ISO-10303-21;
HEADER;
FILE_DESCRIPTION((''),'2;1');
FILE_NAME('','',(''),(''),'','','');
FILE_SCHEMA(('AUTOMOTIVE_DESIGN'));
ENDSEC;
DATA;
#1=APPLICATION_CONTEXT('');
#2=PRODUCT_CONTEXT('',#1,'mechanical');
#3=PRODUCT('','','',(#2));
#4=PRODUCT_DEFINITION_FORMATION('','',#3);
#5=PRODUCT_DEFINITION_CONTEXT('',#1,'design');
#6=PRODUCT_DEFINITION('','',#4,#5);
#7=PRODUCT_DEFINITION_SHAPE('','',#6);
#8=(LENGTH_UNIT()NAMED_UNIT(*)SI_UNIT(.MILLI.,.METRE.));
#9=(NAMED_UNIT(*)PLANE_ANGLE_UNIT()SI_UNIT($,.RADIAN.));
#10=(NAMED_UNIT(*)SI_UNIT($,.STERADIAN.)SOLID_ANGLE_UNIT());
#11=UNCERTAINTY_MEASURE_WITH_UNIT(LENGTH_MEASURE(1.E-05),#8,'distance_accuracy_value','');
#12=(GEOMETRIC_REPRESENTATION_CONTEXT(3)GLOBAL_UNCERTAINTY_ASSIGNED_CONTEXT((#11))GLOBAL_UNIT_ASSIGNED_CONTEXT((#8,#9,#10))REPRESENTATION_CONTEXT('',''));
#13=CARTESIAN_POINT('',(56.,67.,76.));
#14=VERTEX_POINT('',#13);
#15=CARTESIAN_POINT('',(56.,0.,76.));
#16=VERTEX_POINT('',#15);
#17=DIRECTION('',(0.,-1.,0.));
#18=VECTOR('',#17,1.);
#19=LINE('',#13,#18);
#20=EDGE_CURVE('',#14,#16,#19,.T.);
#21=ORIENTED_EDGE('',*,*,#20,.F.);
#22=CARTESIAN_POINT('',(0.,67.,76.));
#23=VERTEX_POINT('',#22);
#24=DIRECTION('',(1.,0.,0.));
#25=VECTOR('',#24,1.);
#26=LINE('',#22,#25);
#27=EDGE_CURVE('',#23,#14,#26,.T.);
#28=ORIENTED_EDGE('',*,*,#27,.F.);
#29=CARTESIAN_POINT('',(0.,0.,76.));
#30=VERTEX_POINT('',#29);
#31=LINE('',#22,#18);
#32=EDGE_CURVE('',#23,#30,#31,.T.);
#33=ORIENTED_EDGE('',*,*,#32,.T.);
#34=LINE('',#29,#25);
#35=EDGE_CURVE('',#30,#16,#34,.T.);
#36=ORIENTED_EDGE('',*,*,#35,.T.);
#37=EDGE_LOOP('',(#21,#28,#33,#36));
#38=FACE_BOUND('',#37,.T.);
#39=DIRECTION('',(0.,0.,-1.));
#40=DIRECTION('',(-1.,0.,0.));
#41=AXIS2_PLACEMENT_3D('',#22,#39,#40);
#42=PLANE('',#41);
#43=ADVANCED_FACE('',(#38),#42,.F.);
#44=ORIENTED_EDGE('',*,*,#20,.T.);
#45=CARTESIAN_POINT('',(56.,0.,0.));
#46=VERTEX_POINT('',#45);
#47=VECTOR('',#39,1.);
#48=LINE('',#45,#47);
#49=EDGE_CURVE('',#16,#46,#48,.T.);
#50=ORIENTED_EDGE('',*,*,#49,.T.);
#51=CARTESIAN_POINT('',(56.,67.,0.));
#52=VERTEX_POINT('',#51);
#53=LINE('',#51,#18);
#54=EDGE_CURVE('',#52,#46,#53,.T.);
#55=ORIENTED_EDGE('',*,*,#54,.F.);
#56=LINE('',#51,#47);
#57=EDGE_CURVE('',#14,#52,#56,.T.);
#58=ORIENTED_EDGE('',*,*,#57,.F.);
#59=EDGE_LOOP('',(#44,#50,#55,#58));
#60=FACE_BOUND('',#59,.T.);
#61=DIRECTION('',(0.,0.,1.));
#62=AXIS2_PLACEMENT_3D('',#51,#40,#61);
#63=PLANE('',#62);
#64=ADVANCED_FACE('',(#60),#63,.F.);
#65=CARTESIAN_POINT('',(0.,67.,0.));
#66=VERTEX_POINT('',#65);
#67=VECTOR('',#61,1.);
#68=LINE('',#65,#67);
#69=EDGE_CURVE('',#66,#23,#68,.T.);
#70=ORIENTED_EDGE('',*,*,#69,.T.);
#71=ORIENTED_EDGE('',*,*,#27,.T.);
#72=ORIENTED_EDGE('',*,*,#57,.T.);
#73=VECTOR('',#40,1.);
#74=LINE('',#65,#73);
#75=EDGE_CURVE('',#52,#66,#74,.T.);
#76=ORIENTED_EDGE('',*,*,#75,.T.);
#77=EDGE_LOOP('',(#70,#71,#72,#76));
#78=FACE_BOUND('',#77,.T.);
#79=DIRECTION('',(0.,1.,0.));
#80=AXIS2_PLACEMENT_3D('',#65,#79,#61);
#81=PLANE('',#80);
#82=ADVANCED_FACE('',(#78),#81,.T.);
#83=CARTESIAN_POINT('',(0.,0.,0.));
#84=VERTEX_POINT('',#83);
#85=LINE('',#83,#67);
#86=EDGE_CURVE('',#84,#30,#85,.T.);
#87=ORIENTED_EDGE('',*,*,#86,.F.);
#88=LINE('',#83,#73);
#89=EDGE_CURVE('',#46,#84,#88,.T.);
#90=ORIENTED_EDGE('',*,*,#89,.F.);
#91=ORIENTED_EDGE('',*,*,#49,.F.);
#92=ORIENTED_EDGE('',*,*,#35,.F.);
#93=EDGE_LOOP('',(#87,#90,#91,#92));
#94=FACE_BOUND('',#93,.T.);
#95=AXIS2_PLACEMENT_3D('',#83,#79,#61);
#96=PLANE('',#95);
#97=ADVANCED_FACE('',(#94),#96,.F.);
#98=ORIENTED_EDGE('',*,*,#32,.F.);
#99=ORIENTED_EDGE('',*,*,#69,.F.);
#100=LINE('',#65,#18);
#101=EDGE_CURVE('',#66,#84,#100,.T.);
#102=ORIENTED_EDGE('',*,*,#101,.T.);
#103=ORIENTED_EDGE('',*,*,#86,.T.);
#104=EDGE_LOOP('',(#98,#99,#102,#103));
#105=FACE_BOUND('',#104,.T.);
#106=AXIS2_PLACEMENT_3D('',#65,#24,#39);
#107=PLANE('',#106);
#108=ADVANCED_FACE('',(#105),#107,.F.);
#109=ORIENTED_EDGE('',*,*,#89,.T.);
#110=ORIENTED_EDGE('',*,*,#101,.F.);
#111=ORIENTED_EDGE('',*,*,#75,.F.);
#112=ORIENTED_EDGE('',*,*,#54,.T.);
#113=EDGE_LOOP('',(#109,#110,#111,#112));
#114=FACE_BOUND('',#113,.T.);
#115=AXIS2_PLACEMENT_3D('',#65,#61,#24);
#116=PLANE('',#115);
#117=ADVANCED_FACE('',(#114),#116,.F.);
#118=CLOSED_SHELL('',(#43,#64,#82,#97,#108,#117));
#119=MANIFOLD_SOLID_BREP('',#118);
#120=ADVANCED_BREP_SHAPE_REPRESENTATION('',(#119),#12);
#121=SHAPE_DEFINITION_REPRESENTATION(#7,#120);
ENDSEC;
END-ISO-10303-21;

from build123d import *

# Parameters (mm, degrees)
SKETCH_1_W      = 56
SKETCH_1_H      = 76
EXTRUDE_1_DEPTH = 67


with BuildPart() as part:
    # 草图1 → 凸台-拉伸1 (new body)
    with BuildSketch(Plane(origin=(0, 0, 0), x_dir=(1, 0, 0), z_dir=(0, 1, 0))):
        with Locations((28, -38)):
            Rectangle(SKETCH_1_W, SKETCH_1_H)
    extrude(amount=EXTRUDE_1_DEPTH)


solid = part.part
